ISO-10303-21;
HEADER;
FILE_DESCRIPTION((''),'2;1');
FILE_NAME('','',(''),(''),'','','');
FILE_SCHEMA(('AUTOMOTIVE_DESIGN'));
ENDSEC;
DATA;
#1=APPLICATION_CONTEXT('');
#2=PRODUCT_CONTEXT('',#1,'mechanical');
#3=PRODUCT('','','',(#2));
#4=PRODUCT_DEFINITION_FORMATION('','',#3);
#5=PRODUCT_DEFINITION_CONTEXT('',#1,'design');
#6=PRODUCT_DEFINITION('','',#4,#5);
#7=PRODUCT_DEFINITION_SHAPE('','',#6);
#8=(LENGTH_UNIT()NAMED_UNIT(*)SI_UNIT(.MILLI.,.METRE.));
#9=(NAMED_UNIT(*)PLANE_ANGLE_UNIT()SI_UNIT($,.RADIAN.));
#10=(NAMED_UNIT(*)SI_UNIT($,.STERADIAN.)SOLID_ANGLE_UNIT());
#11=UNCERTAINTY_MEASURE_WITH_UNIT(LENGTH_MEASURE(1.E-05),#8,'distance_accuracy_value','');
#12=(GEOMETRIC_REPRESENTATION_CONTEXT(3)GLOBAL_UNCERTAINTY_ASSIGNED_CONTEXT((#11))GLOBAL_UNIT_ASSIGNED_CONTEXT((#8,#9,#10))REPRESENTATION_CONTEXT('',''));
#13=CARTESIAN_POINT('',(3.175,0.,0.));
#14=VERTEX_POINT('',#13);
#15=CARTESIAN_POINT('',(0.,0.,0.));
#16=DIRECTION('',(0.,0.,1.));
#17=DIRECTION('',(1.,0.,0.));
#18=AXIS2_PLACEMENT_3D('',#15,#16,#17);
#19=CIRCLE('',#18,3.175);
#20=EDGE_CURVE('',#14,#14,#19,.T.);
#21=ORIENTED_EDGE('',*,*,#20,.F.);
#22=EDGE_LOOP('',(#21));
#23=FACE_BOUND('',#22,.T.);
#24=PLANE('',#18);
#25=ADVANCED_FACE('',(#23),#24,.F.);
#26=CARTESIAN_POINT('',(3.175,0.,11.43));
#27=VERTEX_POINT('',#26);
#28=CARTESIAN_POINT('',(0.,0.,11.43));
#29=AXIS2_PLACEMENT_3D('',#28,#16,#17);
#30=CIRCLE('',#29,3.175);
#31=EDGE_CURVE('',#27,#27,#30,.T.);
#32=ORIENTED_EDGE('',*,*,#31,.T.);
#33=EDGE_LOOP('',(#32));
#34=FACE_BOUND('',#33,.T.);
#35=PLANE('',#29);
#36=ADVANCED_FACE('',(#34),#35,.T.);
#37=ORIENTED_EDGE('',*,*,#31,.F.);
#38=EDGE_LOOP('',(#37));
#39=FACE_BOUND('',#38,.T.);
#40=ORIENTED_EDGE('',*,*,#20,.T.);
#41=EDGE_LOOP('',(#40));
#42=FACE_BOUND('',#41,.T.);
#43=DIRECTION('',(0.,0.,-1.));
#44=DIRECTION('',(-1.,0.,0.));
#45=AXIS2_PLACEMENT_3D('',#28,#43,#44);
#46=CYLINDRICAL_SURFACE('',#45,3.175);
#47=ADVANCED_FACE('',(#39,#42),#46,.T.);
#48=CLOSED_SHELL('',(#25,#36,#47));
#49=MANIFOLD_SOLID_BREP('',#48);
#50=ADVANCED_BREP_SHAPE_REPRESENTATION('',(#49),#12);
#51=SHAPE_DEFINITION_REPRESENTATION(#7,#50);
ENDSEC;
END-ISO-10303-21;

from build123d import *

# Parameters (mm, degrees)
SKETCH1_R           = 3.175
BOSS_EXTRUDE1_DEPTH = 11.43


with BuildPart() as part:
    # Sketch1 → Boss-Extrude1 (new body)
    with BuildSketch(Plane.XY):
        Circle(SKETCH1_R)
    extrude(amount=BOSS_EXTRUDE1_DEPTH)


solid = part.part
